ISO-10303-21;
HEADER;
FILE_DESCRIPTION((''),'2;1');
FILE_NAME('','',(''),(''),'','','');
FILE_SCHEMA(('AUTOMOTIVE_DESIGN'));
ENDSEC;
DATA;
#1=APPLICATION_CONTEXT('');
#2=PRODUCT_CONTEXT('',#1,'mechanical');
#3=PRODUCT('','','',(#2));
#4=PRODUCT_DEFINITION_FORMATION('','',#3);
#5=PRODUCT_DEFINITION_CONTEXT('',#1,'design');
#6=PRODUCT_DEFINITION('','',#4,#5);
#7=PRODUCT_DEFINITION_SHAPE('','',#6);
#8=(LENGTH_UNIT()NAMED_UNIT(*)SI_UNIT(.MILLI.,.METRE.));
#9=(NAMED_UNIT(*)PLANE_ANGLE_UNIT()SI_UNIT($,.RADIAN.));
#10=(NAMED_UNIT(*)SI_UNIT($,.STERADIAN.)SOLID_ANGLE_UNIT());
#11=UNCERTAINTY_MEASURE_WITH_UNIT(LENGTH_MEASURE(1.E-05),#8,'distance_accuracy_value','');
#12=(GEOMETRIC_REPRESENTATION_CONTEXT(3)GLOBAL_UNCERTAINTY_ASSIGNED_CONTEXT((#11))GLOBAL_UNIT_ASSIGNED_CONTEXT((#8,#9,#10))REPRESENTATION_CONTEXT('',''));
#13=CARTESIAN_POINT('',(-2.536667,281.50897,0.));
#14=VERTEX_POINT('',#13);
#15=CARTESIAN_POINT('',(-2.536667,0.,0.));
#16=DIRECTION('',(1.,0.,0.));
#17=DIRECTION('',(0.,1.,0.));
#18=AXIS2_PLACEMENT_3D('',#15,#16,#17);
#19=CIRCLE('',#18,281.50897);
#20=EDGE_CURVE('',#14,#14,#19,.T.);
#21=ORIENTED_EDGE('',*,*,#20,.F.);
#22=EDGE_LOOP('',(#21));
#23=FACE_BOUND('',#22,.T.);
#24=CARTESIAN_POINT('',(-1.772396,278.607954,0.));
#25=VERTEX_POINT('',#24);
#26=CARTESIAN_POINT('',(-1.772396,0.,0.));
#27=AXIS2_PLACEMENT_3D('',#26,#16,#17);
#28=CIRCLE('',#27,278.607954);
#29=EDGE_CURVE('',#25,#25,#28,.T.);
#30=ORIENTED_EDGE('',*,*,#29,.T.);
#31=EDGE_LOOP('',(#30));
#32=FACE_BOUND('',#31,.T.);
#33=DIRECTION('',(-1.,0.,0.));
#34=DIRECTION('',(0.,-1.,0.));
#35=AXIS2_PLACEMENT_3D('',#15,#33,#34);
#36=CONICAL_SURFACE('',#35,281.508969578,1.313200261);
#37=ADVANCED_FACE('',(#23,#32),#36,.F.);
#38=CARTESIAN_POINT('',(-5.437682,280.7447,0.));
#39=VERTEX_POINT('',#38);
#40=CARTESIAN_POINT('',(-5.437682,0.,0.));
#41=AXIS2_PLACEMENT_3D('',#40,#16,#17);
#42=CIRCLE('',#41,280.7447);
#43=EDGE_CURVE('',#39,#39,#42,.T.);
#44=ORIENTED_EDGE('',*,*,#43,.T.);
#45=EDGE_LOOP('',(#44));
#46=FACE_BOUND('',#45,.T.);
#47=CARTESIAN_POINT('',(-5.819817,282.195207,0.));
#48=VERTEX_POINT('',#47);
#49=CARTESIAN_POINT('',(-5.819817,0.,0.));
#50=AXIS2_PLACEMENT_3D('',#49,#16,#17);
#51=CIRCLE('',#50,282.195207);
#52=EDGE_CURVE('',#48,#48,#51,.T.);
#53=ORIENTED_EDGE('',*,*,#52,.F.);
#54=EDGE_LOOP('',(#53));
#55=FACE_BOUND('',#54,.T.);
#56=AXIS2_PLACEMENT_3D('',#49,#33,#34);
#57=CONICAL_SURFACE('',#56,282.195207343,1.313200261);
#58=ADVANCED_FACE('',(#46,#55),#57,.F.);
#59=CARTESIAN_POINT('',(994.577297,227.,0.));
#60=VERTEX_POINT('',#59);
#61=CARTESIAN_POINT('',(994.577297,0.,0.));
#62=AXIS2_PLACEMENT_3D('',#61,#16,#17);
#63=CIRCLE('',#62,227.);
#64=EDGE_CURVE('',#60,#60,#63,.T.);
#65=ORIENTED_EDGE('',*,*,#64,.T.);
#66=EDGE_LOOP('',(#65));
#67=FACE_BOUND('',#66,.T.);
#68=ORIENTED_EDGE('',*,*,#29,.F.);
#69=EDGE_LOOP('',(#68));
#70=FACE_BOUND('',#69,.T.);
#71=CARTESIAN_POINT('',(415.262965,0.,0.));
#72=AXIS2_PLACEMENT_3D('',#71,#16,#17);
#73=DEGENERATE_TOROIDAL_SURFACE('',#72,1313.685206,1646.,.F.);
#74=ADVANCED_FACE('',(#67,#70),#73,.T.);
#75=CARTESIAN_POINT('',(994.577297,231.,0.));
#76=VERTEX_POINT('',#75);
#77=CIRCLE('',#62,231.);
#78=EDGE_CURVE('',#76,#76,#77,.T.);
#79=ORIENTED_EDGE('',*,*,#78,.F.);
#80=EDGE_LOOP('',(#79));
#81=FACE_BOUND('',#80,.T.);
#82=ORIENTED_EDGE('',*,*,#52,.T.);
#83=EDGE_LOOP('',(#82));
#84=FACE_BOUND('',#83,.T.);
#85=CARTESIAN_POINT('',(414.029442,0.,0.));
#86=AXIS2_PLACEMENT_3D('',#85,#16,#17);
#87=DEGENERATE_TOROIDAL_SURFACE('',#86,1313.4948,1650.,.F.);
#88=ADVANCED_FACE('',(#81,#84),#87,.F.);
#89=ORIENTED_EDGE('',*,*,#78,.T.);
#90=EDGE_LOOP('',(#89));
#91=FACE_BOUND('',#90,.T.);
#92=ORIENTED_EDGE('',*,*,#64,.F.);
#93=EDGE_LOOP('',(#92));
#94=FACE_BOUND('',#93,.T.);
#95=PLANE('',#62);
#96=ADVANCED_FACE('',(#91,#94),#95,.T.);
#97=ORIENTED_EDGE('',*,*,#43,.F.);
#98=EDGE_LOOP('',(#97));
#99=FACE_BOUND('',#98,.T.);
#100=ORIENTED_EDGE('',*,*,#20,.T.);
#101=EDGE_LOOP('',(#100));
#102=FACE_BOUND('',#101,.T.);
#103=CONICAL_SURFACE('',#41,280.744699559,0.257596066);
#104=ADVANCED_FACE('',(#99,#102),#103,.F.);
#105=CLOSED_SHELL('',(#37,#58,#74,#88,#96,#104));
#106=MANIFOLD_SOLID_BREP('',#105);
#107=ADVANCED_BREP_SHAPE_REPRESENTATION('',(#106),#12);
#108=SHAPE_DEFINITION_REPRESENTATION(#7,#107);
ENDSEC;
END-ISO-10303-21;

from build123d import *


with BuildPart() as part:
    # Sketch1 → Revolve1 (revolve)
    with BuildSketch(Plane.XY):
        with BuildLine():
            Line((-2.536666517, 281.508969578), (-1.772396497, 278.607954009))
            ThreePointArc((-1.772396497, 278.607954009), (500.406733445, 330.111173868), (994.577297147, 227))
            Line((994.577297147, 227), (994.577297147, 231))
            ThreePointArc((994.577297147, 231), (498.357652016, 334.348867524), (-5.819817097, 282.195207343))
            Line((-5.819817097, 282.195207343), (-5.437682087, 280.744699559))
            Line((-5.437682087, 280.744699559), (-2.536666517, 281.508969578))
        make_face()
    revolve(axis=Axis((1000, 0, 0), (-1, 0, 0)))


solid = part.part
